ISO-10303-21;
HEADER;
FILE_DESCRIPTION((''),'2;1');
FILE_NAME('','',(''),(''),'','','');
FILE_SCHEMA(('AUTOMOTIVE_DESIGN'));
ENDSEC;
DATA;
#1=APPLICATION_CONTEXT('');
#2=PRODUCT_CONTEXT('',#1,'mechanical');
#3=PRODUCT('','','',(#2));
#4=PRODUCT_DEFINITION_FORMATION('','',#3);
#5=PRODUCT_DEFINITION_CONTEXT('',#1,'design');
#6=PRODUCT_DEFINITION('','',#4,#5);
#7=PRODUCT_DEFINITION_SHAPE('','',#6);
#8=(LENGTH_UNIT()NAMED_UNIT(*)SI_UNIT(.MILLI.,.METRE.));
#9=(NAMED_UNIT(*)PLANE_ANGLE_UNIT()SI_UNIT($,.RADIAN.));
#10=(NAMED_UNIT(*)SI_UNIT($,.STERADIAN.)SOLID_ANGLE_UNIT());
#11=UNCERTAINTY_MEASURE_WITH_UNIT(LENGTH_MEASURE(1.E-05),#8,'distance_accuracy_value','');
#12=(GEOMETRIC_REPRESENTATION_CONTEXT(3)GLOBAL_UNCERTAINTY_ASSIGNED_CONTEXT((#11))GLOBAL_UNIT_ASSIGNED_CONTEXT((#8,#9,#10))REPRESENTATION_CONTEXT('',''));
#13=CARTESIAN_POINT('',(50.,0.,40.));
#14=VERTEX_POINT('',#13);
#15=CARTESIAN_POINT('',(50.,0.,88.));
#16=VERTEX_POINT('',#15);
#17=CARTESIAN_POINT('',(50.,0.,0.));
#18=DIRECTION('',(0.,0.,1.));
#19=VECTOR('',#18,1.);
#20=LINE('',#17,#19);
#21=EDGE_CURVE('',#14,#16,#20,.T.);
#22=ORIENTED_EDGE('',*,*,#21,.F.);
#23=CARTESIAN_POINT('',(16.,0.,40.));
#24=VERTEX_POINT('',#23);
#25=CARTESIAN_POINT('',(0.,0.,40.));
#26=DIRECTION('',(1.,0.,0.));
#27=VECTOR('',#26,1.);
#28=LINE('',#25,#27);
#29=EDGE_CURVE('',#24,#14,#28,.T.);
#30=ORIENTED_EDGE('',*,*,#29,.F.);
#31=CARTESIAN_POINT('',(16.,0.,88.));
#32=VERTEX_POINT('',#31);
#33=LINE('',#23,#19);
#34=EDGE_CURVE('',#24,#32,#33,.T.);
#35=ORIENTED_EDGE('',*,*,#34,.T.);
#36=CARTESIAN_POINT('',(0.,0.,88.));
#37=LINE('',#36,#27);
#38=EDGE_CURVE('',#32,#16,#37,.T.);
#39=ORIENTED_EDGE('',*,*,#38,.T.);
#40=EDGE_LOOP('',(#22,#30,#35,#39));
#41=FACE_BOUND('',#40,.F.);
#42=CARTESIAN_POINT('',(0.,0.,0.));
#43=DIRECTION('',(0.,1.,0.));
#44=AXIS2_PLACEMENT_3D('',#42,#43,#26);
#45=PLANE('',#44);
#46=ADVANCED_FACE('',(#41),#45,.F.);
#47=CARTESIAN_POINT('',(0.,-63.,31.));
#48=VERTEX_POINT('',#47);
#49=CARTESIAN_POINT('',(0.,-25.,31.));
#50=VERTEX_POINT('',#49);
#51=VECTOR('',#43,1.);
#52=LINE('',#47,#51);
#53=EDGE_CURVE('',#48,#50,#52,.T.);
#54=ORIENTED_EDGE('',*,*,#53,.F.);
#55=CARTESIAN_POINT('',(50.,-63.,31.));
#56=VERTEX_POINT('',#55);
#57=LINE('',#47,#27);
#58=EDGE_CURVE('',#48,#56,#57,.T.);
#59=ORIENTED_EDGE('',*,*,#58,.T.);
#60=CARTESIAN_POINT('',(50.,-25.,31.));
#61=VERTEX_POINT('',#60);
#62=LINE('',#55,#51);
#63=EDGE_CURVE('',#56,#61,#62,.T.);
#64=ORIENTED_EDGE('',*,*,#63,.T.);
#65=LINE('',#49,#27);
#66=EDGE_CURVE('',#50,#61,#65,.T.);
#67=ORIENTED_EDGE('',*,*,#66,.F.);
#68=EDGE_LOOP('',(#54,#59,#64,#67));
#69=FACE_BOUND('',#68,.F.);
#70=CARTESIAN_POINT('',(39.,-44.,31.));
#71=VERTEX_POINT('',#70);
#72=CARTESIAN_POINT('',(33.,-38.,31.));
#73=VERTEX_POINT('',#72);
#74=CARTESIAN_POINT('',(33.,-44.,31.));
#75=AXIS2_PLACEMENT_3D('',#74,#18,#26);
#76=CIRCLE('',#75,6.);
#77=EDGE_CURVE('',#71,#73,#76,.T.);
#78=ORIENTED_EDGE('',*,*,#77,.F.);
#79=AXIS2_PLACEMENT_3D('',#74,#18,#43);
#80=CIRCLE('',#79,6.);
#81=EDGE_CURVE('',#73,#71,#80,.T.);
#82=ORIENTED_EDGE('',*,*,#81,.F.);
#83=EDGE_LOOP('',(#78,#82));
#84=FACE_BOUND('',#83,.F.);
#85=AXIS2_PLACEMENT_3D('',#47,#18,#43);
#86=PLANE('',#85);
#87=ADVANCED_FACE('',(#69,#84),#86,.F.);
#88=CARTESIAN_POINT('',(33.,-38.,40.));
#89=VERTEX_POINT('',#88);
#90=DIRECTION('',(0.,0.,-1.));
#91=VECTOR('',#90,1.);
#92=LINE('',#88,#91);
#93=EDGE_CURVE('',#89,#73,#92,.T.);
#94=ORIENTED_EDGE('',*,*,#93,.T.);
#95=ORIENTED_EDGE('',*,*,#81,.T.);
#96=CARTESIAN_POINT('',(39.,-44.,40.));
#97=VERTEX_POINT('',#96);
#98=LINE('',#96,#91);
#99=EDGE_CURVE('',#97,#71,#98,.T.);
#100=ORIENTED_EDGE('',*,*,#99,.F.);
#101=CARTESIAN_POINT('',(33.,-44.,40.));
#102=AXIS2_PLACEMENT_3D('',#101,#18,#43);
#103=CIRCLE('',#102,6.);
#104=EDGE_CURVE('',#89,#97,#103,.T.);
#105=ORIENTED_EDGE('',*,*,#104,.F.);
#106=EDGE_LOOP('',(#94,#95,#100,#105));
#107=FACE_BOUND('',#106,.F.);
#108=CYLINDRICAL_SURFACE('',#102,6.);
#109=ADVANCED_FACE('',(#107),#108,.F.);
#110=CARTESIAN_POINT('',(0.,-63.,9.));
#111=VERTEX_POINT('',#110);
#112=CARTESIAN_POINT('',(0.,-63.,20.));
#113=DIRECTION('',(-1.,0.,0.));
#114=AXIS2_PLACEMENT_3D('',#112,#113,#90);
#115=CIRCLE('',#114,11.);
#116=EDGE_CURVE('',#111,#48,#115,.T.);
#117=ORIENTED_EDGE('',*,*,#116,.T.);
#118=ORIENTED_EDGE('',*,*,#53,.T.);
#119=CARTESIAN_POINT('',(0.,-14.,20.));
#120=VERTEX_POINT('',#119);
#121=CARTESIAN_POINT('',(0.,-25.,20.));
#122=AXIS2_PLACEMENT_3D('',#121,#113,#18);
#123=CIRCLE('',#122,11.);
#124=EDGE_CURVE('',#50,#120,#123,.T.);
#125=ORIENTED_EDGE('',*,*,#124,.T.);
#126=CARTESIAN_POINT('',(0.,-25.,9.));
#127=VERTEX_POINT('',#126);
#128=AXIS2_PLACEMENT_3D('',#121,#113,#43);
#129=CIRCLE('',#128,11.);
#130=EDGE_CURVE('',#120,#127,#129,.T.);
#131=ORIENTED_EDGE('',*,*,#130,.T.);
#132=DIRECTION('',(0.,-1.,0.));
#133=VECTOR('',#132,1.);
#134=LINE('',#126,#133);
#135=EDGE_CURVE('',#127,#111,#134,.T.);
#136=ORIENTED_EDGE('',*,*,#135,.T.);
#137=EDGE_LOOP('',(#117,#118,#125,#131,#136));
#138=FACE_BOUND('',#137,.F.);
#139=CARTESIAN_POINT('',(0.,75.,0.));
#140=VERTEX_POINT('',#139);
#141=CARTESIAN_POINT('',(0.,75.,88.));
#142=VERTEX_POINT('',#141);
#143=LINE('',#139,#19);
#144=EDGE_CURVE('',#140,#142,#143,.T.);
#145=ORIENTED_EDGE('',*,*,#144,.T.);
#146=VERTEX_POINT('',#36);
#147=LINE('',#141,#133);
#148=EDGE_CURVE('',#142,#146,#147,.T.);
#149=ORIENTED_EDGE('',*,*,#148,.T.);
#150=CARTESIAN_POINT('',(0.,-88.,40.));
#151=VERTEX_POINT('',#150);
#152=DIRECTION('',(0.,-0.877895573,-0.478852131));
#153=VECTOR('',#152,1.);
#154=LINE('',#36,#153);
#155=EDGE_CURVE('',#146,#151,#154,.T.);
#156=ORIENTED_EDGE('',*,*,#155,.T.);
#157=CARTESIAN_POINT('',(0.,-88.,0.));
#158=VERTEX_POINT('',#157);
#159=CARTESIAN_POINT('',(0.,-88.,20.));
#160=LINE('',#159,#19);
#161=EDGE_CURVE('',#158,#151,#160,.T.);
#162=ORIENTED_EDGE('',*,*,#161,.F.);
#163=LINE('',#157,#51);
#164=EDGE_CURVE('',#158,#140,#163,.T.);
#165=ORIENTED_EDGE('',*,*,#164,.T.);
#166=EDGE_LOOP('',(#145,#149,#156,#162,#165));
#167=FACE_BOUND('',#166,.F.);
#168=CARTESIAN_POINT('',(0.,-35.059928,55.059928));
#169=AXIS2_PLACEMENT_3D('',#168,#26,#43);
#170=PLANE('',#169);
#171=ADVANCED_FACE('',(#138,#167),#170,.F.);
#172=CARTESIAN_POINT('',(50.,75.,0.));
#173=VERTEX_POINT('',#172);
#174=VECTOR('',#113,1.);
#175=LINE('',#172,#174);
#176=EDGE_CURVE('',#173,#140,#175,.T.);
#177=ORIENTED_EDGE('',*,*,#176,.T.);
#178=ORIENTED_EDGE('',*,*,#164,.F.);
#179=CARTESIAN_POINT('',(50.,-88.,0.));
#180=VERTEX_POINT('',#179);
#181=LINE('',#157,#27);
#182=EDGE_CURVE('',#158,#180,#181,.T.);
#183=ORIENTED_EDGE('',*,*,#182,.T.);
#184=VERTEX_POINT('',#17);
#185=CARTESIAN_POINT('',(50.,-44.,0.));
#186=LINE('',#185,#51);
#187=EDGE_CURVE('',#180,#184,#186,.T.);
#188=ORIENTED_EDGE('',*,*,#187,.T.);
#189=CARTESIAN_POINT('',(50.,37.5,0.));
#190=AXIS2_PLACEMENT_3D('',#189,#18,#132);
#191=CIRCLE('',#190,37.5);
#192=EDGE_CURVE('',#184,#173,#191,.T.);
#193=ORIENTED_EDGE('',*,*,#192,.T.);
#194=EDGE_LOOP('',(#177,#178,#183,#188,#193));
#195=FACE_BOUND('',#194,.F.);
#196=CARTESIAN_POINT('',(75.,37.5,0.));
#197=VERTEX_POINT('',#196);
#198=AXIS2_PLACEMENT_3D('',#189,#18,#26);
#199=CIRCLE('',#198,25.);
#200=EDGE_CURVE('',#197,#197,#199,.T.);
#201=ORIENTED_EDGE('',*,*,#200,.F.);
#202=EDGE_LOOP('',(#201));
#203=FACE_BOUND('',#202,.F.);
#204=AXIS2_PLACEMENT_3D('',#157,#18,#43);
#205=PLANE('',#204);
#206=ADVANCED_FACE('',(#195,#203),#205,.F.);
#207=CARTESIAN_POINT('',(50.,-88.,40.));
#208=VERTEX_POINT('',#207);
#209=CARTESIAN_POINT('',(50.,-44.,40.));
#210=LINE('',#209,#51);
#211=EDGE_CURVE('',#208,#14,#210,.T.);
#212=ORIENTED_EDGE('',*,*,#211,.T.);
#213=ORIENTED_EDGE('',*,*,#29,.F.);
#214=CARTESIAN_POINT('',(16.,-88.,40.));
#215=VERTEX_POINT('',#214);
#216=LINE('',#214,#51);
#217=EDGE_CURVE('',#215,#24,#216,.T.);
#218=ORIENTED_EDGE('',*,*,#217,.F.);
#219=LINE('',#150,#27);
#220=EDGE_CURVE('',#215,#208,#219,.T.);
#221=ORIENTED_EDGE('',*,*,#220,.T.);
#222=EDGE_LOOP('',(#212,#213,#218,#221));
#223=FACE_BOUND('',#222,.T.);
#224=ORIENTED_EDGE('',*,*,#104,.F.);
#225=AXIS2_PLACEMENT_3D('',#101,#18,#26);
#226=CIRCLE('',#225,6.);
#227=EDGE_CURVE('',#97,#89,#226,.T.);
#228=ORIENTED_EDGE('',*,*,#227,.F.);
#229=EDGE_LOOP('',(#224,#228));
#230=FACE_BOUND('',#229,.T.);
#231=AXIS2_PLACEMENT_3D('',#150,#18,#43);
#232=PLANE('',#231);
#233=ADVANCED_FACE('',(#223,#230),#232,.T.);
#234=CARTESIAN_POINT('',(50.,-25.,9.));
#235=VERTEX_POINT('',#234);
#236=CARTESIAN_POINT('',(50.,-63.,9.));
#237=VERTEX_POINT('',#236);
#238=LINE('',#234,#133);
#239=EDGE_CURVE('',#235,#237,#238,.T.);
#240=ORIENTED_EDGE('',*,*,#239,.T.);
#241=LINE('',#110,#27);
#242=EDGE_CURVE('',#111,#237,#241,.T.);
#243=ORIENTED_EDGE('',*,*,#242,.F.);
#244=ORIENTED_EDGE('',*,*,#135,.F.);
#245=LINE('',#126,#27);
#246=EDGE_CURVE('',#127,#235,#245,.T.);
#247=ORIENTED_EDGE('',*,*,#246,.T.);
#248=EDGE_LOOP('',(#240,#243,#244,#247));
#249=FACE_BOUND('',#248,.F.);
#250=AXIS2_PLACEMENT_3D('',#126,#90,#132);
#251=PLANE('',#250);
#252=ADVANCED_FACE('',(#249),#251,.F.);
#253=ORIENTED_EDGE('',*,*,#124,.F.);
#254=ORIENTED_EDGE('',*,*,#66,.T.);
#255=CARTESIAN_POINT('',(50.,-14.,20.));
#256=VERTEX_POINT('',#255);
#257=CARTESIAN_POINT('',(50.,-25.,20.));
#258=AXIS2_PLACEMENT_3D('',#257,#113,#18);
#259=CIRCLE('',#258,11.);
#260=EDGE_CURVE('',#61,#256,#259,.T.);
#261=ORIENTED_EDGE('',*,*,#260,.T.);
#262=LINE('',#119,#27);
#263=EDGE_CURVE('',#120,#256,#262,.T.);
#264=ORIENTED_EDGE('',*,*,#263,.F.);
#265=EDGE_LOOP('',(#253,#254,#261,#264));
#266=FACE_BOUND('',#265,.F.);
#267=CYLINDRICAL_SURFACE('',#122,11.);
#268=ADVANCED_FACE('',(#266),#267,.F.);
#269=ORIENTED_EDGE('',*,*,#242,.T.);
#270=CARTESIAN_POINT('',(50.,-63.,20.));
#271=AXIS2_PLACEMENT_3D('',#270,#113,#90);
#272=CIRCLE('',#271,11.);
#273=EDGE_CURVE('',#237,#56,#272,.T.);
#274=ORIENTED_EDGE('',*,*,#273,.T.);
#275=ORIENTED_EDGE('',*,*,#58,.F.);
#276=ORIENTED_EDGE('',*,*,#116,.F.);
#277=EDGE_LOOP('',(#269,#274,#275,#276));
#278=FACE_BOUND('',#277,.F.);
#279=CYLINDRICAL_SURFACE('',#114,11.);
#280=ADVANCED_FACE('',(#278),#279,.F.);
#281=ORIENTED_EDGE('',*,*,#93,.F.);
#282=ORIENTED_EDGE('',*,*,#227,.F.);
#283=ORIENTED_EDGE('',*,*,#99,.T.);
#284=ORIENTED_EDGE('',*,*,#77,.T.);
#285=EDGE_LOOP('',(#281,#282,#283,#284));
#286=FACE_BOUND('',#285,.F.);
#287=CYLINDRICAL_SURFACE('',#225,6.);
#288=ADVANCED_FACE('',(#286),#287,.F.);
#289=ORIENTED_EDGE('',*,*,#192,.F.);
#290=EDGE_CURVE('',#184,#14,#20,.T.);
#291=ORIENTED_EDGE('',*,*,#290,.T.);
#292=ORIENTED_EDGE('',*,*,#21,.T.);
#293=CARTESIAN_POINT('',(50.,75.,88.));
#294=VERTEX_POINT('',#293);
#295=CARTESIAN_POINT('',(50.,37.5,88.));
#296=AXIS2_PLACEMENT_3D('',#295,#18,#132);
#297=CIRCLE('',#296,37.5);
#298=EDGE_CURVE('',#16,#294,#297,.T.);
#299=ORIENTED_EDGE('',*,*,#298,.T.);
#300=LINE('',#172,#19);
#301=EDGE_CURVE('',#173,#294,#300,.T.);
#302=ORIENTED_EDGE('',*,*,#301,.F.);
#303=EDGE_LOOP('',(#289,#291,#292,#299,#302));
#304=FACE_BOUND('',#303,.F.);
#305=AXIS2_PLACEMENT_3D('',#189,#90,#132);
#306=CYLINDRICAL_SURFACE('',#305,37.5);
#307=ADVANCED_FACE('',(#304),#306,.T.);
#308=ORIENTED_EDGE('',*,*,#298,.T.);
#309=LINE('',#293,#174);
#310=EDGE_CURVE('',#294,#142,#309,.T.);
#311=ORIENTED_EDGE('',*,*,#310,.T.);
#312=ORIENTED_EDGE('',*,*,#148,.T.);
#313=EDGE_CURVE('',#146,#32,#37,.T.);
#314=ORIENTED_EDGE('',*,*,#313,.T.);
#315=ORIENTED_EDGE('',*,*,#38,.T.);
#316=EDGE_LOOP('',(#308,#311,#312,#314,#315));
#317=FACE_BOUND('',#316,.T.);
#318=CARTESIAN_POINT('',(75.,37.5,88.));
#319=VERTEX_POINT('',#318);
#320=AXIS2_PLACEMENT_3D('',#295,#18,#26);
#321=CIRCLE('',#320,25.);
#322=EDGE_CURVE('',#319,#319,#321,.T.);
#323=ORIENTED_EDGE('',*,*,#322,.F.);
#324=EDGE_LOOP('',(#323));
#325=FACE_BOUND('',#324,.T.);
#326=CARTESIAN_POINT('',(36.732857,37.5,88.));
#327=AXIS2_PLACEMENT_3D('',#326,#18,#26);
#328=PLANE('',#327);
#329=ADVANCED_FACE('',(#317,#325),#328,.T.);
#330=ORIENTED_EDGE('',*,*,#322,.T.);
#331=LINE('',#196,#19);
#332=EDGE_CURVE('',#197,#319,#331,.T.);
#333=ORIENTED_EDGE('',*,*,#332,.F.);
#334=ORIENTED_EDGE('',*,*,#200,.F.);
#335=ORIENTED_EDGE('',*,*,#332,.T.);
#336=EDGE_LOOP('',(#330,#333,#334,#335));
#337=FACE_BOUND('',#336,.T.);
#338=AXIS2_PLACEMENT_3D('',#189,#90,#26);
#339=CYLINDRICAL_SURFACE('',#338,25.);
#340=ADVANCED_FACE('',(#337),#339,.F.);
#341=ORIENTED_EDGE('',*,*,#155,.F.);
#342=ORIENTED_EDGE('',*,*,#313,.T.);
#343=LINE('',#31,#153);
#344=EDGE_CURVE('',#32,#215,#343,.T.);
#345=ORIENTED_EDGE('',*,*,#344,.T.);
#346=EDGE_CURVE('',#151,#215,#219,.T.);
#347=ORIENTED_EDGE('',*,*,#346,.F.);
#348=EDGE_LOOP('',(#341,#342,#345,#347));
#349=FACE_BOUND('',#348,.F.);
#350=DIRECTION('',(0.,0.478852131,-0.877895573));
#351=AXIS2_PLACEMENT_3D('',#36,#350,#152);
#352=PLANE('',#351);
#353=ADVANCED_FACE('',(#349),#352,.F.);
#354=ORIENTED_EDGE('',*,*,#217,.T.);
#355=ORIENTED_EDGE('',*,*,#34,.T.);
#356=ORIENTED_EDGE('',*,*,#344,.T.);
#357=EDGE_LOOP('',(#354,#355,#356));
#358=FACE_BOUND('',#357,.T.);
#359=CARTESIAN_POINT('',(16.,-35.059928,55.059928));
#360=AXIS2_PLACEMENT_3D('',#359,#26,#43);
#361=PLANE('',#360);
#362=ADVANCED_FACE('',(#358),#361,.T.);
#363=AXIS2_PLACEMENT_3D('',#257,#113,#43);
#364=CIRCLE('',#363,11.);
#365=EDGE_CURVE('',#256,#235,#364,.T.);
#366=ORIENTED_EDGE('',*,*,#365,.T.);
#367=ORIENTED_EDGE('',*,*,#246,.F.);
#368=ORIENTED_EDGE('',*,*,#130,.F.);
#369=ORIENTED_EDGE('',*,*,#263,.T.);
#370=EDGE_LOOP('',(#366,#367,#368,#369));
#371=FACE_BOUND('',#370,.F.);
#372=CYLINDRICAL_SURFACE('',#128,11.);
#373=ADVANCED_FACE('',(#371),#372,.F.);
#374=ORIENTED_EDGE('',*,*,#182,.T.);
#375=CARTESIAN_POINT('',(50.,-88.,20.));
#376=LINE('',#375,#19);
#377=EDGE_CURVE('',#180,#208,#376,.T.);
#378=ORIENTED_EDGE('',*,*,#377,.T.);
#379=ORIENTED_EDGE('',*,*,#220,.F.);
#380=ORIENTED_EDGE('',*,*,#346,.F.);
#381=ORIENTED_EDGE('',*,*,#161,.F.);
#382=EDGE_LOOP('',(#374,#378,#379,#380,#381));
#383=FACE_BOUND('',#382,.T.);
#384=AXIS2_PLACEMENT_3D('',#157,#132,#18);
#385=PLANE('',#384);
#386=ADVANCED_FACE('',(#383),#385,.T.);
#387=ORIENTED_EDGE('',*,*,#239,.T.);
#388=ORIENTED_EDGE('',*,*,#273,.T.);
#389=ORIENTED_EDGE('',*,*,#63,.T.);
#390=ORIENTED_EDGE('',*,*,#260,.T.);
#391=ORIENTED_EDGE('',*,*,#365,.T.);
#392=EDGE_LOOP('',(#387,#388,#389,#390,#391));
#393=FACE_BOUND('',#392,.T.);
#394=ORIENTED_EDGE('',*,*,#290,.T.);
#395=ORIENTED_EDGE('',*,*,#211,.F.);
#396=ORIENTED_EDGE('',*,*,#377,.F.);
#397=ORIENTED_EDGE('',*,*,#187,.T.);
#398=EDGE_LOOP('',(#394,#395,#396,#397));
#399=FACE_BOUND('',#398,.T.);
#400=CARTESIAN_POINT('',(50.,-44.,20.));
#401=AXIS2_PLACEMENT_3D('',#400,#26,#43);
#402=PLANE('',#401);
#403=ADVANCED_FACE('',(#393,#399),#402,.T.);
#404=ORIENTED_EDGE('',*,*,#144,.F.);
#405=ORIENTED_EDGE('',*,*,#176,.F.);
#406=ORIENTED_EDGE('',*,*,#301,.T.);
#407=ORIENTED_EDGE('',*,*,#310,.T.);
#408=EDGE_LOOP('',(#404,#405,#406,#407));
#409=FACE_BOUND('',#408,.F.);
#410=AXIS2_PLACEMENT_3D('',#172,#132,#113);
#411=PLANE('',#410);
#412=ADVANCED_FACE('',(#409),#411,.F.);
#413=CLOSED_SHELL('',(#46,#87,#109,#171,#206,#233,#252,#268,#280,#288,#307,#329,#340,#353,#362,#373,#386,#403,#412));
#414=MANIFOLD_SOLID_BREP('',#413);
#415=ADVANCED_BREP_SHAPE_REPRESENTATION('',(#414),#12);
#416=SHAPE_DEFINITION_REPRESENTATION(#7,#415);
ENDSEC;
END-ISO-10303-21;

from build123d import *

# Parameters (mm, degrees)
F0_R     = 25
F1_DEPTH = 88
F2_W     = 88
F2_H     = 40
F3_DEPTH = 50
F5_DEPTH = 16
F7_DEPTH = 9


with BuildPart() as f1:
    # F0 (on Top) → F1 (new body)
    with BuildSketch(Plane.XY):
        with BuildLine():
            Line((0, 75), (0, 0))
            Line((0, 0), (50, 0))
            ThreePointArc((50, 0), (87.5, 37.5), (50, 75))
            Line((50, 75), (0, 75))
        make_face()
        with Locations((50, 37.5)):
            Circle(F0_R, mode=Mode.SUBTRACT)
    extrude(amount=F1_DEPTH)

    # F2 (on Right) → F3 (join)
    with BuildSketch(Plane.YZ):
        with Locations((-44, 20)):
            Rectangle(F2_W, F2_H)
        with BuildLine():
            ThreePointArc((-14, 20), (-17.2218254069, 12.2218254069), (-25, 9))
            Line((-25, 9), (-63, 9))
            ThreePointArc((-63, 9), (-74, 20), (-63, 31))
            Line((-63, 31), (-25, 31))
            ThreePointArc((-25, 31), (-17.2218254069, 27.7781745931), (-14, 20))
        make_face(mode=Mode.SUBTRACT)
    extrude(amount=F3_DEPTH)

    # F4 (on Right) → F5 (join)
    with BuildSketch(Plane.YZ):
        Polygon((-88, 40), (0, 40), (0, 88), align=None)
    extrude(amount=F5_DEPTH)

    # F6 (on face) → F7 (cut, through all)
    with BuildSketch(Plane.XY.offset(40)):
        with BuildLine():
            ThreePointArc((33, -38), (28.7573593129, -48.2426406871), (39, -44))
            ThreePointArc((39, -44), (37.2426406871, -39.7573593129), (33, -38))
        make_face()
    extrude(amount=-F7_DEPTH, mode=Mode.SUBTRACT)


solid = f1.part
